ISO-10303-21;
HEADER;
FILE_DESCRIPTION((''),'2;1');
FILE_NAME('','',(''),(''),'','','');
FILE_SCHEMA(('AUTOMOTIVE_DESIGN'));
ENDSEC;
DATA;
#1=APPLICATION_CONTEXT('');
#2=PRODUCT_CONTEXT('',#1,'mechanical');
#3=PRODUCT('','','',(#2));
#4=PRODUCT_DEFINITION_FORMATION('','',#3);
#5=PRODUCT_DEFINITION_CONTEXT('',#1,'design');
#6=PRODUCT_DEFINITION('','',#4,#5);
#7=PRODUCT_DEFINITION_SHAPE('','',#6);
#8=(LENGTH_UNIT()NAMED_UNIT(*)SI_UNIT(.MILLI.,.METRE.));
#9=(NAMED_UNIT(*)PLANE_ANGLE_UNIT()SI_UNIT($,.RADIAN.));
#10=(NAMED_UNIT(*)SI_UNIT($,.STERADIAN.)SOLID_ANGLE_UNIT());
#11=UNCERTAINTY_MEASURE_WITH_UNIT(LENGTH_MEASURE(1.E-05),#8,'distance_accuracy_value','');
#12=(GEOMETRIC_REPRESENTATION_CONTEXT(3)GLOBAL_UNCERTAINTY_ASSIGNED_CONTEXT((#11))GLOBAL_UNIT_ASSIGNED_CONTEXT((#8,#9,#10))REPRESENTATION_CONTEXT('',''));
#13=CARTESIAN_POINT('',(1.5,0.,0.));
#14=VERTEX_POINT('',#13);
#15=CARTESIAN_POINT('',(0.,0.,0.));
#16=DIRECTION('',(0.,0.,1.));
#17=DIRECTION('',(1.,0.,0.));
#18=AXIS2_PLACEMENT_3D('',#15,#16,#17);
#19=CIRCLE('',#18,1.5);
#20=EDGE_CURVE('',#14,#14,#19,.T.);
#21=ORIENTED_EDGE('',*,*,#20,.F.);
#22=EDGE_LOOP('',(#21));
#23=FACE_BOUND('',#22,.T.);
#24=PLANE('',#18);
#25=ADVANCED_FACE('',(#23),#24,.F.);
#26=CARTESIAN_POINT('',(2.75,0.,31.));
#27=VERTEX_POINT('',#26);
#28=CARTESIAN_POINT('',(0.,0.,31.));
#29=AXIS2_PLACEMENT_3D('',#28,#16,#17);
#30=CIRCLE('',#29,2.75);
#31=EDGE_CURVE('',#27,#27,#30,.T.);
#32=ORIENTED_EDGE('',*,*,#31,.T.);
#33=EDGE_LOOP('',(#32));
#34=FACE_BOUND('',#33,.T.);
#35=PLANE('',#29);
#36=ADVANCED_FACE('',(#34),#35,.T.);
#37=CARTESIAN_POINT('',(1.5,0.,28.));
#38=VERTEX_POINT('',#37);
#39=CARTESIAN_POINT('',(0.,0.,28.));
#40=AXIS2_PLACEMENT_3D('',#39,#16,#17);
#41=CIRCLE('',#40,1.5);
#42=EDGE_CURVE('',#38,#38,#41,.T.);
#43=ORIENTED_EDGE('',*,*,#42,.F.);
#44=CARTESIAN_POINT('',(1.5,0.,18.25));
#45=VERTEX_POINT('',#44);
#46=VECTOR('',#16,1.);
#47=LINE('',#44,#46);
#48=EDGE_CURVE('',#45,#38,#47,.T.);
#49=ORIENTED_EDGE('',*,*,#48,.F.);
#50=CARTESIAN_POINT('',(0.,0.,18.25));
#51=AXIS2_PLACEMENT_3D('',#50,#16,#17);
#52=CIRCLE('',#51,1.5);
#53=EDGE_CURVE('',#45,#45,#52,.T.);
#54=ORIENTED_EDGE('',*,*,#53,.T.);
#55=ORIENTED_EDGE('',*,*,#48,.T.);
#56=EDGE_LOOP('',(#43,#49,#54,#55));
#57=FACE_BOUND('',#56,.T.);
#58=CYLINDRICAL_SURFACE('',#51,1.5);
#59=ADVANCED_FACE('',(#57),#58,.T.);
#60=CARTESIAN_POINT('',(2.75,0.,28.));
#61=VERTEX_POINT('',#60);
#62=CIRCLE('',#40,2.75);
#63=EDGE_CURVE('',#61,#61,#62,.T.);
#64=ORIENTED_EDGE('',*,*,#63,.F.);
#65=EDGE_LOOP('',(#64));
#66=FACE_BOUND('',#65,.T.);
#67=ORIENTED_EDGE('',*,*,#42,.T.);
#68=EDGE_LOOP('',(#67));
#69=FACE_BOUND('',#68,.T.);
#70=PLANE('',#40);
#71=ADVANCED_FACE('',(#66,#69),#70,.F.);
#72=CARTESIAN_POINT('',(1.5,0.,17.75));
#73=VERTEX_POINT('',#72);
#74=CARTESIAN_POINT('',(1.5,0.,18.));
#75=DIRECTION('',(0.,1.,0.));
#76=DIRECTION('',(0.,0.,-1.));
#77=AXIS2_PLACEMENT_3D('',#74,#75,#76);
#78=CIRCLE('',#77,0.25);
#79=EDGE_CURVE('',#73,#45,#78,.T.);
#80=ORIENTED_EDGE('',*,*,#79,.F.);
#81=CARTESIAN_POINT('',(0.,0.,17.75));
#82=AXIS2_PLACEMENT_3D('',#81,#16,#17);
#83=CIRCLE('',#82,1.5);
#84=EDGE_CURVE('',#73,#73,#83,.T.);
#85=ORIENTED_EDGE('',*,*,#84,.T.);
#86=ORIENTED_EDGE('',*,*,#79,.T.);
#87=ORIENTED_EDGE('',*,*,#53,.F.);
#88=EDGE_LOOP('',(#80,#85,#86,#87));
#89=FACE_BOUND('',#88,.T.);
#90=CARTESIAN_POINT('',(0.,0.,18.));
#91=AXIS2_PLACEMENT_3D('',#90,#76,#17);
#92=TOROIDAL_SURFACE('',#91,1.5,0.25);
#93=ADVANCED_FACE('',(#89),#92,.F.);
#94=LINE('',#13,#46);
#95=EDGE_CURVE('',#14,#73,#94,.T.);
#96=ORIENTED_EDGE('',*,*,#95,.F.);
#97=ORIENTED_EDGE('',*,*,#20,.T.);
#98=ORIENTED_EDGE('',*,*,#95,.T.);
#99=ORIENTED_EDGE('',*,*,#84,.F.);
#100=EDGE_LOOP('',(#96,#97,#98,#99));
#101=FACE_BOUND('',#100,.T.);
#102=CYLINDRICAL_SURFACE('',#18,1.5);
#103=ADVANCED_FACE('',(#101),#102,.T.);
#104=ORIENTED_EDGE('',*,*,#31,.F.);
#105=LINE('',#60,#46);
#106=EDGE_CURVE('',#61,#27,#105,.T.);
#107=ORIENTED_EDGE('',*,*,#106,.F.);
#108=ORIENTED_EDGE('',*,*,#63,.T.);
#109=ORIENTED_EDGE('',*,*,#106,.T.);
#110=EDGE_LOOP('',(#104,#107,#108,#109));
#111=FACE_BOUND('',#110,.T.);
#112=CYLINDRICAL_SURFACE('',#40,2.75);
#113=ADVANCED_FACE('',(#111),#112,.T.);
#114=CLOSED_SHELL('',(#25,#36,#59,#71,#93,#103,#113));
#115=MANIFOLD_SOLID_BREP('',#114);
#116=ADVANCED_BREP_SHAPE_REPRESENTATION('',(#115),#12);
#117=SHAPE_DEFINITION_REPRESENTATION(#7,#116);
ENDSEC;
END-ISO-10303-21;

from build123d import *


with BuildPart() as f1:
    # F0 (on Front) → F1 (revolve)
    with BuildSketch(Plane.XZ):
        with BuildLine():
            Line((0, 31), (0, 0))
            Line((0, 0), (1.5, 0))
            Line((1.5, 0), (1.5, 17.75))
            ThreePointArc((1.5, 17.75), (1.25, 18), (1.5, 18.25))
            Line((1.5, 18.25), (1.5, 28))
            Line((1.5, 28), (2.75, 28))
            Line((2.75, 28), (2.75, 31))
            Line((2.75, 31), (0, 31))
        make_face()
    revolve(axis=Axis((0, 0, 15.5), (0, 0, 1)))


solid = f1.part
